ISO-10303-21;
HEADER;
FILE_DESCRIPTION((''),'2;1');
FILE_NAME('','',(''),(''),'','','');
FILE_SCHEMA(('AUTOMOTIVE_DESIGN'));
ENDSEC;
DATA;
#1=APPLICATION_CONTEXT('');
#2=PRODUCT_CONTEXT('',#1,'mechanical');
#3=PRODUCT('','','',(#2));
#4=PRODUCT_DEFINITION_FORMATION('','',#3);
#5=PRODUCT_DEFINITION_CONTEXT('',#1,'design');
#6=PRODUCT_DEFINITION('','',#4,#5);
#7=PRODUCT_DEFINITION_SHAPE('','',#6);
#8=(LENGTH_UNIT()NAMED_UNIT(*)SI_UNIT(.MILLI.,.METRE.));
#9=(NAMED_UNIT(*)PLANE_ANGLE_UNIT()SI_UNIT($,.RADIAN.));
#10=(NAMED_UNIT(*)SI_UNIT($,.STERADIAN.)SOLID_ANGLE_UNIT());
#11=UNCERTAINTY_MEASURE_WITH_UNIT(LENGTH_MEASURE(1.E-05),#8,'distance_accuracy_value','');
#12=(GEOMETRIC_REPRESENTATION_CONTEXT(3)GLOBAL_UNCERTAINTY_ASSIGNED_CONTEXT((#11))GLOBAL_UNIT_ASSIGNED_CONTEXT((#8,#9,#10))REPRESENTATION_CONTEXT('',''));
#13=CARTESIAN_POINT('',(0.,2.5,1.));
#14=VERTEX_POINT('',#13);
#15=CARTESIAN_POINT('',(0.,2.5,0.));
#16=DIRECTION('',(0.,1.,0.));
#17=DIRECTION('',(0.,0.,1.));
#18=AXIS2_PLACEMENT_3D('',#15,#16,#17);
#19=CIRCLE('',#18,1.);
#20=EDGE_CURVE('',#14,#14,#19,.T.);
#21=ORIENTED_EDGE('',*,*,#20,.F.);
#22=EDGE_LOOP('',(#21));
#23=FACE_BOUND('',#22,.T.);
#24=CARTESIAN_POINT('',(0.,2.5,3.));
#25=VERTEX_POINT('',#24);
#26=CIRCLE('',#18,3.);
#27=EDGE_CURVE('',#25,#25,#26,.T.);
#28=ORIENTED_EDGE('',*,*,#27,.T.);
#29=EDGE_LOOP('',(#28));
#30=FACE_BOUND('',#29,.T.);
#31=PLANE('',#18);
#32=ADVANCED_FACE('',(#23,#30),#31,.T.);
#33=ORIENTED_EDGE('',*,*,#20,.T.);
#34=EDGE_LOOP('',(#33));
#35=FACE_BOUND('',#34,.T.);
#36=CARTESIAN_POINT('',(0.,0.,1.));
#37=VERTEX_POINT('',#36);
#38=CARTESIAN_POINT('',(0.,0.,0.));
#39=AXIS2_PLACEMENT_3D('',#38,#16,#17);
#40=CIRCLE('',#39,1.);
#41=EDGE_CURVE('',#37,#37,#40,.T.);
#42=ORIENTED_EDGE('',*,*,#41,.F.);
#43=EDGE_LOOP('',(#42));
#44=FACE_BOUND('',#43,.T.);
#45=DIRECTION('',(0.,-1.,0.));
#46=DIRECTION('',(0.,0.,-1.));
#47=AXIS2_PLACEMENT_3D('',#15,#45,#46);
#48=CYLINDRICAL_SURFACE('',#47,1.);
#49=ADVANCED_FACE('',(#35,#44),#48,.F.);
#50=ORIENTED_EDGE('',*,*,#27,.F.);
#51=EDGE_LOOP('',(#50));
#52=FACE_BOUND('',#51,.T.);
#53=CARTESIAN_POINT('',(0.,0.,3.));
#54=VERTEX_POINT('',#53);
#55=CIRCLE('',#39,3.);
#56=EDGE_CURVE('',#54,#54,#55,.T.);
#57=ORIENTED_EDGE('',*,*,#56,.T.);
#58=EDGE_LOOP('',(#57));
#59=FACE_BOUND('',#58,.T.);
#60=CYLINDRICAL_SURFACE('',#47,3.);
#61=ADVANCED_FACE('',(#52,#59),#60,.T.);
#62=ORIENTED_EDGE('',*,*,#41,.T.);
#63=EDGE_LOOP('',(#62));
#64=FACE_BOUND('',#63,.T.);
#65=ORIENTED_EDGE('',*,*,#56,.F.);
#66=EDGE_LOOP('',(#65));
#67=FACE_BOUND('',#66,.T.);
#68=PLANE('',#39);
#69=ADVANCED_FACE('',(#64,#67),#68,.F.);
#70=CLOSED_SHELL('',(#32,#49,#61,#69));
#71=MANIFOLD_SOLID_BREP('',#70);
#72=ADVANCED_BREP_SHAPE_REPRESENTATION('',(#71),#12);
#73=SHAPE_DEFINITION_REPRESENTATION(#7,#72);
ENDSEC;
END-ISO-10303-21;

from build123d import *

# Parameters (mm, degrees)
SKETCH_1_R      = 3
SKETCH_1_R_2    = 1
EXTRUDE_1_DEPTH = 2.5


with BuildPart() as part:
    # 草图1 → 凸台-拉伸1 (new body)
    with BuildSketch(Plane(origin=(0, 0, 0), x_dir=(1, 0, 0), z_dir=(0, 1, 0))):
        Circle(SKETCH_1_R)
        Circle(SKETCH_1_R_2, mode=Mode.SUBTRACT)
    extrude(amount=EXTRUDE_1_DEPTH)


solid = part.part
